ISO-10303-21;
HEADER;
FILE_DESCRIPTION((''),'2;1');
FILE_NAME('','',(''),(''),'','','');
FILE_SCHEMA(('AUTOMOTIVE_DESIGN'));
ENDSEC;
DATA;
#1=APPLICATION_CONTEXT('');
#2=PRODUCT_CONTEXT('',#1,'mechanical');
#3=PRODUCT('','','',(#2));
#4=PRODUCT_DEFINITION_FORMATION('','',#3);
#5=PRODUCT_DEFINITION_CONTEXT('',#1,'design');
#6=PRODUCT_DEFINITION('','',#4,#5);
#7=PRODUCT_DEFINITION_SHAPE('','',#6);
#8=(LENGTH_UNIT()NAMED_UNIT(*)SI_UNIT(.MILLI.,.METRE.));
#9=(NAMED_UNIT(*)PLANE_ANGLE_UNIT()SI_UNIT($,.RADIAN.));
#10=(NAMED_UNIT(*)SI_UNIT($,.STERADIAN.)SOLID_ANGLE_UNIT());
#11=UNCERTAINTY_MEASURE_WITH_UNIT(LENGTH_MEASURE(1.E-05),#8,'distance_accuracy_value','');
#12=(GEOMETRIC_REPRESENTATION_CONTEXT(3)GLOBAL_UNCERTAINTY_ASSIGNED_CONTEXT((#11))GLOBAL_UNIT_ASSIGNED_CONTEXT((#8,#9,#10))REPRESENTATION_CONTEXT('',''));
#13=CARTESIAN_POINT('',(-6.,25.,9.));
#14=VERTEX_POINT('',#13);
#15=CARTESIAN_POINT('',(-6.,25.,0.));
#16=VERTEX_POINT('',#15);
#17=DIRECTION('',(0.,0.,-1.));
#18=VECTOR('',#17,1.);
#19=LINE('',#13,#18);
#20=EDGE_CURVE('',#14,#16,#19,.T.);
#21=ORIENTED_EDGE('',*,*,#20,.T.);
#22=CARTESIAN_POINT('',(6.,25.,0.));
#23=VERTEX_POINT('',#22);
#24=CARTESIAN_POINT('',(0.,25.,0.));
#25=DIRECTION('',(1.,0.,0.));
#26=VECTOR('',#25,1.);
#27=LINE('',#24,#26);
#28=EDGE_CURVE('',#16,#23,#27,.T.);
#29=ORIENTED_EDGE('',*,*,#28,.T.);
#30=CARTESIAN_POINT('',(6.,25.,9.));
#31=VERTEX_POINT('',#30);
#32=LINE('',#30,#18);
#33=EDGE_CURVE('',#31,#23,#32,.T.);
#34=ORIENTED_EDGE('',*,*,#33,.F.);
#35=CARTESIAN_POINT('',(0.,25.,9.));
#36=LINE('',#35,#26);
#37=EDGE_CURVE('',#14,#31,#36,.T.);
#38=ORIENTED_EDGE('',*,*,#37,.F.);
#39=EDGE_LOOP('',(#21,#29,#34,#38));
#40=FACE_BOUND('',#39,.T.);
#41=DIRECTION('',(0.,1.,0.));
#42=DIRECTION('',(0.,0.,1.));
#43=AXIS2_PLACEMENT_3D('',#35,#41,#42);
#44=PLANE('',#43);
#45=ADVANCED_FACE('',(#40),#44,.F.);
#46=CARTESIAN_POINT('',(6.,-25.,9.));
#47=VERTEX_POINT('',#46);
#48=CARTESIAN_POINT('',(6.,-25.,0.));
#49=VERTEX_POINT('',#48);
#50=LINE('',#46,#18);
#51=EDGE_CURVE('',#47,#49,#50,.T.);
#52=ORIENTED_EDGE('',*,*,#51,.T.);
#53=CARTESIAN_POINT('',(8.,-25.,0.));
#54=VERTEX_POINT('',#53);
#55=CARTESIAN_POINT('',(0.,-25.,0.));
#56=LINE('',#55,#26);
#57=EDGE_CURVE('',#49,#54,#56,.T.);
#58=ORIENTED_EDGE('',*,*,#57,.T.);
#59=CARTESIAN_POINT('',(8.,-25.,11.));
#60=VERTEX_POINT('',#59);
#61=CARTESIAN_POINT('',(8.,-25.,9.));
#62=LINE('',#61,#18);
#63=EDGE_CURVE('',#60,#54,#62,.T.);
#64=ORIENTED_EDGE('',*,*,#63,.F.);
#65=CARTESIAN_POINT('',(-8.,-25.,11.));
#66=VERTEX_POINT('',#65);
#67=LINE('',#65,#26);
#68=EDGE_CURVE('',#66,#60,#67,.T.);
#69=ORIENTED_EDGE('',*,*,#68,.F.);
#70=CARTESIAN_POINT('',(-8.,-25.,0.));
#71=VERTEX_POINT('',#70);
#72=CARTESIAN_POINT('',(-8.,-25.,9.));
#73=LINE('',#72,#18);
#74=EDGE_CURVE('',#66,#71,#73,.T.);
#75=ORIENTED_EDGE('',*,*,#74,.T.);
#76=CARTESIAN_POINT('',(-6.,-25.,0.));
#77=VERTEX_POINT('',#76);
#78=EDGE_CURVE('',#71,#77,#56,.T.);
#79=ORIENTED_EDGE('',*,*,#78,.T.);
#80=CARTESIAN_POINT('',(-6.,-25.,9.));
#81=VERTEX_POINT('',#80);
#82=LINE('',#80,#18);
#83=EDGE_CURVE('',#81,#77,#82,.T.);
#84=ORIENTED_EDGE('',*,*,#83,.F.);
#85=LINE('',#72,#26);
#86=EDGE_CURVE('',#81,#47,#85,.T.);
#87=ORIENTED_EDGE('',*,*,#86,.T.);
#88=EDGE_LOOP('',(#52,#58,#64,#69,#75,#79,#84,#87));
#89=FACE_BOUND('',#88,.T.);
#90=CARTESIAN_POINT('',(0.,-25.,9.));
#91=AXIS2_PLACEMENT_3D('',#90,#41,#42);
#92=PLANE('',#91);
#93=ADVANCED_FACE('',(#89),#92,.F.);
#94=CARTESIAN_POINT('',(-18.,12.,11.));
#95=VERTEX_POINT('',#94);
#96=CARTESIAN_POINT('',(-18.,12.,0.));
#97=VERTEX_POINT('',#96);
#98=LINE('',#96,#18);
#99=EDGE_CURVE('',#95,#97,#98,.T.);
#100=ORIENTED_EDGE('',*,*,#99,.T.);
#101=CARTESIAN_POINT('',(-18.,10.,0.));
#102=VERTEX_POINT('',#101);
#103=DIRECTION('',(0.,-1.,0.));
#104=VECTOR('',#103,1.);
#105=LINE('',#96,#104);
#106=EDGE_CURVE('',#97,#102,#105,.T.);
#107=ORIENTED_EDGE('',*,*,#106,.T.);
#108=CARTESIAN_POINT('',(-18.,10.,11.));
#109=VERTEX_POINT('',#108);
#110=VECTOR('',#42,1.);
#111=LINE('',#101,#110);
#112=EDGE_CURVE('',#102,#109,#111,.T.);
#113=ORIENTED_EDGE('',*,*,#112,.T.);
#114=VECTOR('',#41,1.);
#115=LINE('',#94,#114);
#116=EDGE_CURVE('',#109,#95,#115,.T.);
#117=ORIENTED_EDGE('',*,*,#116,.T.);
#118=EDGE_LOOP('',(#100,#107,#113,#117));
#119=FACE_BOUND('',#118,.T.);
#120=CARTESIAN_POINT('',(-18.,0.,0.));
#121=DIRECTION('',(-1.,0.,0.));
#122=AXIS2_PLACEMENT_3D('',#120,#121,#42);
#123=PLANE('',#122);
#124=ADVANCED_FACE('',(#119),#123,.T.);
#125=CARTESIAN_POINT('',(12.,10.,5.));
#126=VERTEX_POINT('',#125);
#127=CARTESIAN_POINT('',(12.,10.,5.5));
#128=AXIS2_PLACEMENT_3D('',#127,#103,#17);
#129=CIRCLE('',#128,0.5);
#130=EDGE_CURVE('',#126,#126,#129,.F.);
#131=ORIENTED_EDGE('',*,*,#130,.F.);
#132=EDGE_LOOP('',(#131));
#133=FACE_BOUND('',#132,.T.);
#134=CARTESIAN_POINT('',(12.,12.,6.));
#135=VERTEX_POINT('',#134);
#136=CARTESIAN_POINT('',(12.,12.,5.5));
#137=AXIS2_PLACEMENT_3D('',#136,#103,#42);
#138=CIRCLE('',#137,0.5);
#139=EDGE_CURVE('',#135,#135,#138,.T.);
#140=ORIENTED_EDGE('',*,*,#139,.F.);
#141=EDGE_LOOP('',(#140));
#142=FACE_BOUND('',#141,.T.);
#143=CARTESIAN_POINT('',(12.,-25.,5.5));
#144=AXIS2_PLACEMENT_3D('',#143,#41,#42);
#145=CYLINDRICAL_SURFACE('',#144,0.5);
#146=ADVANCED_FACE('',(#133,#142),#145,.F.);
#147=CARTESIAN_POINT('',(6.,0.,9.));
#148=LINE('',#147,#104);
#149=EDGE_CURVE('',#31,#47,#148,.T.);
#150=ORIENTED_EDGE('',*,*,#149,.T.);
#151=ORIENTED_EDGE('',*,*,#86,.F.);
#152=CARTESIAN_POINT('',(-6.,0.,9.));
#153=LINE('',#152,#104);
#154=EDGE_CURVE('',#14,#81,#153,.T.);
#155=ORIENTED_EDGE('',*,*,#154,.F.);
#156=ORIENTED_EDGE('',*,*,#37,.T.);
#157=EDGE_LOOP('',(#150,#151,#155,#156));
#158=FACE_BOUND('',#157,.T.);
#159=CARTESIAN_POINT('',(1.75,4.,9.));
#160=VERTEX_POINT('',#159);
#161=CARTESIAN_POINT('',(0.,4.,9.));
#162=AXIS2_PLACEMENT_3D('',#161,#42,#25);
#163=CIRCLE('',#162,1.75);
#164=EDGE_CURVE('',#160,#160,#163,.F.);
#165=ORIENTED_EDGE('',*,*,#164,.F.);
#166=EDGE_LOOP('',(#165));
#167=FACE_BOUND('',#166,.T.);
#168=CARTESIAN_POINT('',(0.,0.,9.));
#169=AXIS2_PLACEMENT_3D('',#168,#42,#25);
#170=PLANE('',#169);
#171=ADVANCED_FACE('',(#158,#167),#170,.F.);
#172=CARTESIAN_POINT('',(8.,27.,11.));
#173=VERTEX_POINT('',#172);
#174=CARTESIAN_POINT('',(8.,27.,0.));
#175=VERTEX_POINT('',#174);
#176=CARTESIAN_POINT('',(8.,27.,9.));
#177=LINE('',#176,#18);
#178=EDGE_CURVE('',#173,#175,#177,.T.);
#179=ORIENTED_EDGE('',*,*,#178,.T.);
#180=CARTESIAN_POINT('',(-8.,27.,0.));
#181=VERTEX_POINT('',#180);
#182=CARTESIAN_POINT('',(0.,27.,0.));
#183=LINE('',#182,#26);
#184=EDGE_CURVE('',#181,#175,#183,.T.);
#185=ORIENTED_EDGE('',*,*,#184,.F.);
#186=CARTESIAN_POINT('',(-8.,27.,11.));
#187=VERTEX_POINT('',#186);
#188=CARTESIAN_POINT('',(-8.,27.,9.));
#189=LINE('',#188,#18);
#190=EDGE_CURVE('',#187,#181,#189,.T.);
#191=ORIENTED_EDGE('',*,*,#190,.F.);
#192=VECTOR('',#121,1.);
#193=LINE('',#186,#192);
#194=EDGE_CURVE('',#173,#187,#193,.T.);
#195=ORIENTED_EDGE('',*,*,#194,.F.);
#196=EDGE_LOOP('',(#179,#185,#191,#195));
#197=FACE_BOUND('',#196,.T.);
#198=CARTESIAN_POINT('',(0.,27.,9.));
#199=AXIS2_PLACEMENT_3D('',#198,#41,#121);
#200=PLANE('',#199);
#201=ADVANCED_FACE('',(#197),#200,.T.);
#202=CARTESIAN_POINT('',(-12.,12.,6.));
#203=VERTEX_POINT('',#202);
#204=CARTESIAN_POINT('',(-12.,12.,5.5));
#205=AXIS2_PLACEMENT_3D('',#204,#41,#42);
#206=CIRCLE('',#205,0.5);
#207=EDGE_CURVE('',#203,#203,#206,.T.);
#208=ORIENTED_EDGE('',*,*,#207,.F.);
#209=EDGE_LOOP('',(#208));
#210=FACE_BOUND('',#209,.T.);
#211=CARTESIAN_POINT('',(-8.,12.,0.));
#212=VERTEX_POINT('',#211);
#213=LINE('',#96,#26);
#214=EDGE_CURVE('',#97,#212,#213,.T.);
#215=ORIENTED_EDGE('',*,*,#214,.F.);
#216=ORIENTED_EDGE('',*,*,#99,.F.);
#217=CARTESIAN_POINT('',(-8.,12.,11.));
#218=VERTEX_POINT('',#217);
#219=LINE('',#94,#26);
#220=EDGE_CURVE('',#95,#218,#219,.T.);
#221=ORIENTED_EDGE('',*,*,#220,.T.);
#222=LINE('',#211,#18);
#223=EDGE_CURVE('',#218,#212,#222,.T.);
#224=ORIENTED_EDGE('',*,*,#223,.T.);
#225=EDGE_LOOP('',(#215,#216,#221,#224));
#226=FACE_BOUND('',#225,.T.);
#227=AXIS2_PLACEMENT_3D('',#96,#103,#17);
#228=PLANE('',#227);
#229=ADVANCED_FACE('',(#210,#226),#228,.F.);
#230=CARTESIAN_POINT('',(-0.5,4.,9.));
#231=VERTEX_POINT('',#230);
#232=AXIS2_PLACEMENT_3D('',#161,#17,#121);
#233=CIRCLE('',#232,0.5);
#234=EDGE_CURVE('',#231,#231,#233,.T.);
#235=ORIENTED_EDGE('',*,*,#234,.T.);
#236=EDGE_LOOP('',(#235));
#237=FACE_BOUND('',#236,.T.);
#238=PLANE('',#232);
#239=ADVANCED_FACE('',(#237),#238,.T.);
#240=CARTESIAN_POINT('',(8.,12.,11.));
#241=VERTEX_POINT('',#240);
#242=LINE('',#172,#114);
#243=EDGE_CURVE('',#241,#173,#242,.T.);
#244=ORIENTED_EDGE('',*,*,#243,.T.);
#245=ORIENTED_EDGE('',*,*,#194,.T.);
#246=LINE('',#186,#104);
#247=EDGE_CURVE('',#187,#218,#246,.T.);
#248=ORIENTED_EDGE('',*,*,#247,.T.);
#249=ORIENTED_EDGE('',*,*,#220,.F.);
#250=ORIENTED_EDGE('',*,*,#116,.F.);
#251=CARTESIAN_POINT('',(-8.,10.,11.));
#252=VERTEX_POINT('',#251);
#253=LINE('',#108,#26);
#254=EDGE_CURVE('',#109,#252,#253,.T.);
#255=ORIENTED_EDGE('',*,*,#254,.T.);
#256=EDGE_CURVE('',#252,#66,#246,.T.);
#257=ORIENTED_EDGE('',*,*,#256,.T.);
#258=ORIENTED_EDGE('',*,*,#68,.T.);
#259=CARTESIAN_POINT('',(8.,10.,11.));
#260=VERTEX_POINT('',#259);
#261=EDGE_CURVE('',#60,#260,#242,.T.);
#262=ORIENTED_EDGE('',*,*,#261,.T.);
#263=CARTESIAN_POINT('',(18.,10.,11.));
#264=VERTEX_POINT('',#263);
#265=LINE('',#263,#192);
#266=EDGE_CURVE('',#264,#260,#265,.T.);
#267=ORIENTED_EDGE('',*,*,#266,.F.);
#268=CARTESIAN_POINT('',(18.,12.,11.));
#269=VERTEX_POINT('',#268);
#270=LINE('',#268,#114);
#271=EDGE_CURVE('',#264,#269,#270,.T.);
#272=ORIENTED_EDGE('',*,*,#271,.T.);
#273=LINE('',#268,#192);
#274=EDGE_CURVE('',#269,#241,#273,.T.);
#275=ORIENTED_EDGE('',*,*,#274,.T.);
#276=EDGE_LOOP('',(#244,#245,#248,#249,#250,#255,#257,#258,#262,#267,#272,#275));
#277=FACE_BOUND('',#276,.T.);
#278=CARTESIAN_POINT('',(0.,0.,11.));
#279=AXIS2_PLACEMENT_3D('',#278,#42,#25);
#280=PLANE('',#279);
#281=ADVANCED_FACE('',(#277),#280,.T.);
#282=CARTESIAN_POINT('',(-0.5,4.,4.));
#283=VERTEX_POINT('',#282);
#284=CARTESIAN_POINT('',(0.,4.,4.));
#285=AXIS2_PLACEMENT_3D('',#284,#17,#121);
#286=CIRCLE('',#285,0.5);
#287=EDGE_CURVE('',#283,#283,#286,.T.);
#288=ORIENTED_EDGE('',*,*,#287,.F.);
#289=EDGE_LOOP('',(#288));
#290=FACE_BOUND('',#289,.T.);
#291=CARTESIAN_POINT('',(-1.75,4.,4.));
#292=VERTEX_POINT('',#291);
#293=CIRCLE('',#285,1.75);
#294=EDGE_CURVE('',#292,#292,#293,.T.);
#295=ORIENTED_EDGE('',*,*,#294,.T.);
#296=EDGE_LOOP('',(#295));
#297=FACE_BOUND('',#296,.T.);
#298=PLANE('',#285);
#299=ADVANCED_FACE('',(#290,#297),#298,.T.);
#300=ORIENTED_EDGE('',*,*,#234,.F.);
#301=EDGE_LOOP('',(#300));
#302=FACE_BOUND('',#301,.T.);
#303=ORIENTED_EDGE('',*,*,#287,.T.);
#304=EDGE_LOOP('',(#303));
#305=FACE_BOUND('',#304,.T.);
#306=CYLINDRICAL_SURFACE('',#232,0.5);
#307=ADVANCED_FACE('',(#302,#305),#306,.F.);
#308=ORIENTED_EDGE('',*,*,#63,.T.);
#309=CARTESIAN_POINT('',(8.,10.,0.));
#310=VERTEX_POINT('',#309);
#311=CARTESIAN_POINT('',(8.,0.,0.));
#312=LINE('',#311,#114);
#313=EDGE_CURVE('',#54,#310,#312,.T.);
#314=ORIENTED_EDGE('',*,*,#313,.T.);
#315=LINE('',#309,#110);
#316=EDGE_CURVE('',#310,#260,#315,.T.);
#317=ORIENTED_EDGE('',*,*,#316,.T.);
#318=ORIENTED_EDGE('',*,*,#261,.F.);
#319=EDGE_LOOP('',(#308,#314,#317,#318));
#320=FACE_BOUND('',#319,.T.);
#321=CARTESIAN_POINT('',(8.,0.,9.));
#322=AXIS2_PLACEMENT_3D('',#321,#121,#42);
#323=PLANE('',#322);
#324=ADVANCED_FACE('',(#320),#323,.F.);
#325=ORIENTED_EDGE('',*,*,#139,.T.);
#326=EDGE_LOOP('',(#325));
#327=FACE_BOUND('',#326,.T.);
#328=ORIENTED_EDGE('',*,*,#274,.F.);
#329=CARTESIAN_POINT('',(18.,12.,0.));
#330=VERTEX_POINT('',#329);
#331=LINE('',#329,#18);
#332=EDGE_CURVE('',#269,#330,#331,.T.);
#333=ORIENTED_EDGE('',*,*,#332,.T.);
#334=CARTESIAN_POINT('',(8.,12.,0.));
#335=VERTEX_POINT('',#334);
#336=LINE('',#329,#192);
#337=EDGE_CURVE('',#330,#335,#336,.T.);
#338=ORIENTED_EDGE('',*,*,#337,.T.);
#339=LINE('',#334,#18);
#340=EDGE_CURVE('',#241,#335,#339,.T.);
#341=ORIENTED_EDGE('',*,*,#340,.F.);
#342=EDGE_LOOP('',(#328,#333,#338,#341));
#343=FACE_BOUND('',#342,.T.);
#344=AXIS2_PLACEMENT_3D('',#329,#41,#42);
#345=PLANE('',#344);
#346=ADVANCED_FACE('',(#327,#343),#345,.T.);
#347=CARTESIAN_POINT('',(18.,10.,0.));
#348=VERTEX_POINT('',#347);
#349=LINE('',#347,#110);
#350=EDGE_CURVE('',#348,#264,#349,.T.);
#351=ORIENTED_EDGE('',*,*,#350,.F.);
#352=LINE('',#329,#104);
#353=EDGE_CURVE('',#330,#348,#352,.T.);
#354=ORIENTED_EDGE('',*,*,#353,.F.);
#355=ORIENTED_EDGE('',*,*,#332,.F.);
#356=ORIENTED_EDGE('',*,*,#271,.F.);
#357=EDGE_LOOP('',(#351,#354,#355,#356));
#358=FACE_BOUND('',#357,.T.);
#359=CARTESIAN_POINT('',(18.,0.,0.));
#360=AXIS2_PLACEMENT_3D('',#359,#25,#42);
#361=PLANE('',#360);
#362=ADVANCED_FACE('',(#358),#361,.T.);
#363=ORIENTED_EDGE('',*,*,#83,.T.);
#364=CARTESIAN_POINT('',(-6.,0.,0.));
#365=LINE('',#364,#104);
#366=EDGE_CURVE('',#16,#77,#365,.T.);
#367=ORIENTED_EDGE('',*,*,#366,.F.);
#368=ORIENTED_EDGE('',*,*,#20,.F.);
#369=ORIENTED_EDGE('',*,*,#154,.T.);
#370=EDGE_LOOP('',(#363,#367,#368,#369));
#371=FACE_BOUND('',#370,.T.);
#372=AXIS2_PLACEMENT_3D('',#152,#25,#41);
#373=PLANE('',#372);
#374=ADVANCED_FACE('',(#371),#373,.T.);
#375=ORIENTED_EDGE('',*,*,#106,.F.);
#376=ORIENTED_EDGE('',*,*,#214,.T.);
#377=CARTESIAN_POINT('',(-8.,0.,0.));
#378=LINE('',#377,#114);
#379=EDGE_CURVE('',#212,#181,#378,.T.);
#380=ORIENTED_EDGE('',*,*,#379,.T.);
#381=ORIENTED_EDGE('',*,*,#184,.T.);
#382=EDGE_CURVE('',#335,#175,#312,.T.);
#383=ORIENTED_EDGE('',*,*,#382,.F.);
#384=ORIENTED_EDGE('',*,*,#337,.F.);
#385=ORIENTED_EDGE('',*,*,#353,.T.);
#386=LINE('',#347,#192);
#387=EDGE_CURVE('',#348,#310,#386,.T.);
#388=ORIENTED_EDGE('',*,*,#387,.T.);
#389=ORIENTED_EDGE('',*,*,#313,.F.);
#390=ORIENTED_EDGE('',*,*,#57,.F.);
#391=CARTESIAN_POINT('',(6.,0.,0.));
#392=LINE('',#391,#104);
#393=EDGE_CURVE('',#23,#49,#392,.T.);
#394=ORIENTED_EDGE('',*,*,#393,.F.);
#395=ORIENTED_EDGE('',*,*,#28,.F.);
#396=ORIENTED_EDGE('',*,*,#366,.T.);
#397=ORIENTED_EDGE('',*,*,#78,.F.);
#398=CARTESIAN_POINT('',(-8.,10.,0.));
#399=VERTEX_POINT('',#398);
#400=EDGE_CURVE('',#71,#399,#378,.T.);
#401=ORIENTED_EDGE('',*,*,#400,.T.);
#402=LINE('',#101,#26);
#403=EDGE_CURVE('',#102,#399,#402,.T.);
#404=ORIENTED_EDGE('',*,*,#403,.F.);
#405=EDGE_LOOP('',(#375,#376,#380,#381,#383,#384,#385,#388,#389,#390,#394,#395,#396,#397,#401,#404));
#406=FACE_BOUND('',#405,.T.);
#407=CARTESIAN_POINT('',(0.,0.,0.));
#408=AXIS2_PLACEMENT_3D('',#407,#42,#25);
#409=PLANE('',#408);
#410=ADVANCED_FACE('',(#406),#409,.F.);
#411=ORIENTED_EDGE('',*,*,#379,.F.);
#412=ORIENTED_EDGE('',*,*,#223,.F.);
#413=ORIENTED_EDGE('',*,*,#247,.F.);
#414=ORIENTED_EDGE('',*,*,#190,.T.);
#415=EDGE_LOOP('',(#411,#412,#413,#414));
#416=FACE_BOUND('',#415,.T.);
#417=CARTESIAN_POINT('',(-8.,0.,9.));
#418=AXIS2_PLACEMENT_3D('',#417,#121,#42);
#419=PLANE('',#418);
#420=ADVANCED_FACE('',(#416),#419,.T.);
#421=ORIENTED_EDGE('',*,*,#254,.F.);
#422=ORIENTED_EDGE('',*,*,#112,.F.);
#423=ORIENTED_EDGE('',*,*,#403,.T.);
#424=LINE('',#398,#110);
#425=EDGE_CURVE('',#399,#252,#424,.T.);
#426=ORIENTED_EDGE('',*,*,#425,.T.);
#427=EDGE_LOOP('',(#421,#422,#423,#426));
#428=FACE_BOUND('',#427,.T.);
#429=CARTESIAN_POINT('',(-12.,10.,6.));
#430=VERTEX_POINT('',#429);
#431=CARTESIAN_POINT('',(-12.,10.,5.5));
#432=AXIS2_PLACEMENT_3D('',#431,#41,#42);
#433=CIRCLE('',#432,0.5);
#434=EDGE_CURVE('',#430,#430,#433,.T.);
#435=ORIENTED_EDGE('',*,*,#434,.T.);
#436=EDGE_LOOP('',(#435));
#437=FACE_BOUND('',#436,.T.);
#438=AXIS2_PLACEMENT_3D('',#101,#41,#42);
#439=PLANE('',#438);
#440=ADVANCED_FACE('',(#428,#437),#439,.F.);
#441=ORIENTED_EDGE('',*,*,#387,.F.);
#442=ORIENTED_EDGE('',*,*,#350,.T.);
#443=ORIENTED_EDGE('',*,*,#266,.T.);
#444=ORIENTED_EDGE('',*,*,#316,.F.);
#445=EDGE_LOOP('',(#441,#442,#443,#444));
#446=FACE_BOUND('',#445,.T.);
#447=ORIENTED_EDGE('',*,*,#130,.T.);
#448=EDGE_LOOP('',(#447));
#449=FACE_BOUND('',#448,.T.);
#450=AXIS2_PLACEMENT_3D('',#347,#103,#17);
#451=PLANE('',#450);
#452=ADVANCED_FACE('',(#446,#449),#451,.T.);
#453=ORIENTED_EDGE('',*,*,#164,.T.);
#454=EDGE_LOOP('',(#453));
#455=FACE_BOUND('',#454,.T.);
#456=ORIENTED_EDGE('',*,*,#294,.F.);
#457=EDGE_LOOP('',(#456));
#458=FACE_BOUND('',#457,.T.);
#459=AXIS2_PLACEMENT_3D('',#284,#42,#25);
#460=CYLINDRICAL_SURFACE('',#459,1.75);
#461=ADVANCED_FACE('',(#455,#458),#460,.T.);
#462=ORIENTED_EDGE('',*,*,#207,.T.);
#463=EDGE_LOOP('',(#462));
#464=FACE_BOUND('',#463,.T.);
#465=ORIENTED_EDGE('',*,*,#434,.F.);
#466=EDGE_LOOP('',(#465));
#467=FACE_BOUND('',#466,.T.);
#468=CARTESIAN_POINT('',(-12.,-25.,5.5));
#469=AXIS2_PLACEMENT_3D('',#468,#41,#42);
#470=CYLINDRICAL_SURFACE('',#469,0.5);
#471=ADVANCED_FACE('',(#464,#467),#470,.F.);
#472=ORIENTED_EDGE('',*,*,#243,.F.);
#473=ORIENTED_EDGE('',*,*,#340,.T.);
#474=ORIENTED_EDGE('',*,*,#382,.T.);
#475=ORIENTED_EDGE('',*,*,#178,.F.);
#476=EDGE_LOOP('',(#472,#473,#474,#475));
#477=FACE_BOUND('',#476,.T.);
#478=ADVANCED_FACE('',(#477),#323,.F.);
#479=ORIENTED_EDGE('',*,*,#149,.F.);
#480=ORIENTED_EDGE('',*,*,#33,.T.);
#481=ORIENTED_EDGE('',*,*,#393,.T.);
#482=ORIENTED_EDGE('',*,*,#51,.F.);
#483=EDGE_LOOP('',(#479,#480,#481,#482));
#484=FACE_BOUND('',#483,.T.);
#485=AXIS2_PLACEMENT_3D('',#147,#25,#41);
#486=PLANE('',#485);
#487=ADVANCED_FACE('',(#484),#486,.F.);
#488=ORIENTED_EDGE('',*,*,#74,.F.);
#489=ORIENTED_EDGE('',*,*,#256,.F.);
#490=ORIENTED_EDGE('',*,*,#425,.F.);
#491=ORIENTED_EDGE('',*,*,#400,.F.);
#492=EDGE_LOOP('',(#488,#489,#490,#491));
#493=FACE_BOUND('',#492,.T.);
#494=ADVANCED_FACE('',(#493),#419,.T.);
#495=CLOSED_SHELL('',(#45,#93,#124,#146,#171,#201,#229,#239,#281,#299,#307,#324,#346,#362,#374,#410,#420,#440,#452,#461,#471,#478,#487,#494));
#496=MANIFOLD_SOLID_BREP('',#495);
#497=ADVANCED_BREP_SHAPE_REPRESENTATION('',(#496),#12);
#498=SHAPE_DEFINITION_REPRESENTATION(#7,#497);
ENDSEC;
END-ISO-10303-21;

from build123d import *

# Parameters (mm, degrees)
BOSS_EXTRU_1_DEPTH      = 9
ESQUISSE2_W             = 16
ESQUISSE2_H             = 52
BOSS_EXTRU_2_DEPTH      = 2
ESQUISSE5_R             = 1.75
BOSS_EXTRU_5_DEPTH      = 5
ESQUISSE6_R             = 0.5
ENL_V_MAT_EXTRU_1_DEPTH = 5
ESQUISSE11_W            = 11
ESQUISSE11_H            = 2
BOSS_EXTRU_6_DEPTH      = 10
ESQUISSE12_R            = 0.5
ENL_V_MAT_EXTRU_2_DEPTH = 38


with BuildPart() as part:
    # Esquisse1 → Boss.-Extru.1 (new body)
    with BuildSketch(Plane.XY):
        Polygon((-6, -25), (-6, 25), (6, 25), (6, -25), (8, -25), (8, 27), (-8, 27), (-8, -25), align=None)
    extrude(amount=BOSS_EXTRU_1_DEPTH)

    # Esquisse2 → Boss.-Extru.2 (add)
    with BuildSketch(Plane.XY.offset(9)):
        with Locations((0, 1)):
            Rectangle(ESQUISSE2_W, ESQUISSE2_H)
    extrude(amount=BOSS_EXTRU_2_DEPTH)

    # Esquisse5 → Boss.-Extru.5 (add)
    with BuildSketch(Plane(origin=(0, 0, 9), x_dir=(-1, 0, 0), z_dir=(0, 0, -1))):
        with Locations((0, 4)):
            Circle(ESQUISSE5_R)
    extrude(amount=BOSS_EXTRU_5_DEPTH)

    # Esquisse6 → Enlèv. mat.-Extru.1 (cut)
    with BuildSketch(Plane(origin=(0, 0, 4), x_dir=(-1, 0, 0), z_dir=(0, 0, -1))):
        with Locations((0, 4)):
            Circle(ESQUISSE6_R)
    extrude(amount=-ENL_V_MAT_EXTRU_1_DEPTH, mode=Mode.SUBTRACT)

    # Esquisse11 → Boss.-Extru.6 (add)
    with BuildSketch(Plane.ZY.offset(8)):
        with Locations((5.5, 11)):
            Rectangle(ESQUISSE11_W, ESQUISSE11_H)
    boss_extru_6 = extrude(amount=BOSS_EXTRU_6_DEPTH)

    # Esquisse12 → Enlèv. mat.-Extru.2 (cut, through all)
    with BuildSketch(Plane(origin=(0, 12, 0), x_dir=(1, 0, 0), z_dir=(0, 1, 0))):
        with Locations((-12, -5.5)):
            Circle(ESQUISSE12_R)
    enl_v_mat_extru_2 = extrude(amount=-ENL_V_MAT_EXTRU_2_DEPTH, mode=Mode.SUBTRACT)

    # Symétrie1: Boss.-Extru.6, Enlèv. mat.-Extru.2 across plane
    add(boss_extru_6.mirror(Plane(origin=(0, 0, 0), x_dir=(0, 0, 1), z_dir=(1, 0, 0))))
    add(enl_v_mat_extru_2.mirror(Plane(origin=(0, 0, 0), x_dir=(0, 0, 1), z_dir=(1, 0, 0))), mode=Mode.SUBTRACT)


solid = part.part
